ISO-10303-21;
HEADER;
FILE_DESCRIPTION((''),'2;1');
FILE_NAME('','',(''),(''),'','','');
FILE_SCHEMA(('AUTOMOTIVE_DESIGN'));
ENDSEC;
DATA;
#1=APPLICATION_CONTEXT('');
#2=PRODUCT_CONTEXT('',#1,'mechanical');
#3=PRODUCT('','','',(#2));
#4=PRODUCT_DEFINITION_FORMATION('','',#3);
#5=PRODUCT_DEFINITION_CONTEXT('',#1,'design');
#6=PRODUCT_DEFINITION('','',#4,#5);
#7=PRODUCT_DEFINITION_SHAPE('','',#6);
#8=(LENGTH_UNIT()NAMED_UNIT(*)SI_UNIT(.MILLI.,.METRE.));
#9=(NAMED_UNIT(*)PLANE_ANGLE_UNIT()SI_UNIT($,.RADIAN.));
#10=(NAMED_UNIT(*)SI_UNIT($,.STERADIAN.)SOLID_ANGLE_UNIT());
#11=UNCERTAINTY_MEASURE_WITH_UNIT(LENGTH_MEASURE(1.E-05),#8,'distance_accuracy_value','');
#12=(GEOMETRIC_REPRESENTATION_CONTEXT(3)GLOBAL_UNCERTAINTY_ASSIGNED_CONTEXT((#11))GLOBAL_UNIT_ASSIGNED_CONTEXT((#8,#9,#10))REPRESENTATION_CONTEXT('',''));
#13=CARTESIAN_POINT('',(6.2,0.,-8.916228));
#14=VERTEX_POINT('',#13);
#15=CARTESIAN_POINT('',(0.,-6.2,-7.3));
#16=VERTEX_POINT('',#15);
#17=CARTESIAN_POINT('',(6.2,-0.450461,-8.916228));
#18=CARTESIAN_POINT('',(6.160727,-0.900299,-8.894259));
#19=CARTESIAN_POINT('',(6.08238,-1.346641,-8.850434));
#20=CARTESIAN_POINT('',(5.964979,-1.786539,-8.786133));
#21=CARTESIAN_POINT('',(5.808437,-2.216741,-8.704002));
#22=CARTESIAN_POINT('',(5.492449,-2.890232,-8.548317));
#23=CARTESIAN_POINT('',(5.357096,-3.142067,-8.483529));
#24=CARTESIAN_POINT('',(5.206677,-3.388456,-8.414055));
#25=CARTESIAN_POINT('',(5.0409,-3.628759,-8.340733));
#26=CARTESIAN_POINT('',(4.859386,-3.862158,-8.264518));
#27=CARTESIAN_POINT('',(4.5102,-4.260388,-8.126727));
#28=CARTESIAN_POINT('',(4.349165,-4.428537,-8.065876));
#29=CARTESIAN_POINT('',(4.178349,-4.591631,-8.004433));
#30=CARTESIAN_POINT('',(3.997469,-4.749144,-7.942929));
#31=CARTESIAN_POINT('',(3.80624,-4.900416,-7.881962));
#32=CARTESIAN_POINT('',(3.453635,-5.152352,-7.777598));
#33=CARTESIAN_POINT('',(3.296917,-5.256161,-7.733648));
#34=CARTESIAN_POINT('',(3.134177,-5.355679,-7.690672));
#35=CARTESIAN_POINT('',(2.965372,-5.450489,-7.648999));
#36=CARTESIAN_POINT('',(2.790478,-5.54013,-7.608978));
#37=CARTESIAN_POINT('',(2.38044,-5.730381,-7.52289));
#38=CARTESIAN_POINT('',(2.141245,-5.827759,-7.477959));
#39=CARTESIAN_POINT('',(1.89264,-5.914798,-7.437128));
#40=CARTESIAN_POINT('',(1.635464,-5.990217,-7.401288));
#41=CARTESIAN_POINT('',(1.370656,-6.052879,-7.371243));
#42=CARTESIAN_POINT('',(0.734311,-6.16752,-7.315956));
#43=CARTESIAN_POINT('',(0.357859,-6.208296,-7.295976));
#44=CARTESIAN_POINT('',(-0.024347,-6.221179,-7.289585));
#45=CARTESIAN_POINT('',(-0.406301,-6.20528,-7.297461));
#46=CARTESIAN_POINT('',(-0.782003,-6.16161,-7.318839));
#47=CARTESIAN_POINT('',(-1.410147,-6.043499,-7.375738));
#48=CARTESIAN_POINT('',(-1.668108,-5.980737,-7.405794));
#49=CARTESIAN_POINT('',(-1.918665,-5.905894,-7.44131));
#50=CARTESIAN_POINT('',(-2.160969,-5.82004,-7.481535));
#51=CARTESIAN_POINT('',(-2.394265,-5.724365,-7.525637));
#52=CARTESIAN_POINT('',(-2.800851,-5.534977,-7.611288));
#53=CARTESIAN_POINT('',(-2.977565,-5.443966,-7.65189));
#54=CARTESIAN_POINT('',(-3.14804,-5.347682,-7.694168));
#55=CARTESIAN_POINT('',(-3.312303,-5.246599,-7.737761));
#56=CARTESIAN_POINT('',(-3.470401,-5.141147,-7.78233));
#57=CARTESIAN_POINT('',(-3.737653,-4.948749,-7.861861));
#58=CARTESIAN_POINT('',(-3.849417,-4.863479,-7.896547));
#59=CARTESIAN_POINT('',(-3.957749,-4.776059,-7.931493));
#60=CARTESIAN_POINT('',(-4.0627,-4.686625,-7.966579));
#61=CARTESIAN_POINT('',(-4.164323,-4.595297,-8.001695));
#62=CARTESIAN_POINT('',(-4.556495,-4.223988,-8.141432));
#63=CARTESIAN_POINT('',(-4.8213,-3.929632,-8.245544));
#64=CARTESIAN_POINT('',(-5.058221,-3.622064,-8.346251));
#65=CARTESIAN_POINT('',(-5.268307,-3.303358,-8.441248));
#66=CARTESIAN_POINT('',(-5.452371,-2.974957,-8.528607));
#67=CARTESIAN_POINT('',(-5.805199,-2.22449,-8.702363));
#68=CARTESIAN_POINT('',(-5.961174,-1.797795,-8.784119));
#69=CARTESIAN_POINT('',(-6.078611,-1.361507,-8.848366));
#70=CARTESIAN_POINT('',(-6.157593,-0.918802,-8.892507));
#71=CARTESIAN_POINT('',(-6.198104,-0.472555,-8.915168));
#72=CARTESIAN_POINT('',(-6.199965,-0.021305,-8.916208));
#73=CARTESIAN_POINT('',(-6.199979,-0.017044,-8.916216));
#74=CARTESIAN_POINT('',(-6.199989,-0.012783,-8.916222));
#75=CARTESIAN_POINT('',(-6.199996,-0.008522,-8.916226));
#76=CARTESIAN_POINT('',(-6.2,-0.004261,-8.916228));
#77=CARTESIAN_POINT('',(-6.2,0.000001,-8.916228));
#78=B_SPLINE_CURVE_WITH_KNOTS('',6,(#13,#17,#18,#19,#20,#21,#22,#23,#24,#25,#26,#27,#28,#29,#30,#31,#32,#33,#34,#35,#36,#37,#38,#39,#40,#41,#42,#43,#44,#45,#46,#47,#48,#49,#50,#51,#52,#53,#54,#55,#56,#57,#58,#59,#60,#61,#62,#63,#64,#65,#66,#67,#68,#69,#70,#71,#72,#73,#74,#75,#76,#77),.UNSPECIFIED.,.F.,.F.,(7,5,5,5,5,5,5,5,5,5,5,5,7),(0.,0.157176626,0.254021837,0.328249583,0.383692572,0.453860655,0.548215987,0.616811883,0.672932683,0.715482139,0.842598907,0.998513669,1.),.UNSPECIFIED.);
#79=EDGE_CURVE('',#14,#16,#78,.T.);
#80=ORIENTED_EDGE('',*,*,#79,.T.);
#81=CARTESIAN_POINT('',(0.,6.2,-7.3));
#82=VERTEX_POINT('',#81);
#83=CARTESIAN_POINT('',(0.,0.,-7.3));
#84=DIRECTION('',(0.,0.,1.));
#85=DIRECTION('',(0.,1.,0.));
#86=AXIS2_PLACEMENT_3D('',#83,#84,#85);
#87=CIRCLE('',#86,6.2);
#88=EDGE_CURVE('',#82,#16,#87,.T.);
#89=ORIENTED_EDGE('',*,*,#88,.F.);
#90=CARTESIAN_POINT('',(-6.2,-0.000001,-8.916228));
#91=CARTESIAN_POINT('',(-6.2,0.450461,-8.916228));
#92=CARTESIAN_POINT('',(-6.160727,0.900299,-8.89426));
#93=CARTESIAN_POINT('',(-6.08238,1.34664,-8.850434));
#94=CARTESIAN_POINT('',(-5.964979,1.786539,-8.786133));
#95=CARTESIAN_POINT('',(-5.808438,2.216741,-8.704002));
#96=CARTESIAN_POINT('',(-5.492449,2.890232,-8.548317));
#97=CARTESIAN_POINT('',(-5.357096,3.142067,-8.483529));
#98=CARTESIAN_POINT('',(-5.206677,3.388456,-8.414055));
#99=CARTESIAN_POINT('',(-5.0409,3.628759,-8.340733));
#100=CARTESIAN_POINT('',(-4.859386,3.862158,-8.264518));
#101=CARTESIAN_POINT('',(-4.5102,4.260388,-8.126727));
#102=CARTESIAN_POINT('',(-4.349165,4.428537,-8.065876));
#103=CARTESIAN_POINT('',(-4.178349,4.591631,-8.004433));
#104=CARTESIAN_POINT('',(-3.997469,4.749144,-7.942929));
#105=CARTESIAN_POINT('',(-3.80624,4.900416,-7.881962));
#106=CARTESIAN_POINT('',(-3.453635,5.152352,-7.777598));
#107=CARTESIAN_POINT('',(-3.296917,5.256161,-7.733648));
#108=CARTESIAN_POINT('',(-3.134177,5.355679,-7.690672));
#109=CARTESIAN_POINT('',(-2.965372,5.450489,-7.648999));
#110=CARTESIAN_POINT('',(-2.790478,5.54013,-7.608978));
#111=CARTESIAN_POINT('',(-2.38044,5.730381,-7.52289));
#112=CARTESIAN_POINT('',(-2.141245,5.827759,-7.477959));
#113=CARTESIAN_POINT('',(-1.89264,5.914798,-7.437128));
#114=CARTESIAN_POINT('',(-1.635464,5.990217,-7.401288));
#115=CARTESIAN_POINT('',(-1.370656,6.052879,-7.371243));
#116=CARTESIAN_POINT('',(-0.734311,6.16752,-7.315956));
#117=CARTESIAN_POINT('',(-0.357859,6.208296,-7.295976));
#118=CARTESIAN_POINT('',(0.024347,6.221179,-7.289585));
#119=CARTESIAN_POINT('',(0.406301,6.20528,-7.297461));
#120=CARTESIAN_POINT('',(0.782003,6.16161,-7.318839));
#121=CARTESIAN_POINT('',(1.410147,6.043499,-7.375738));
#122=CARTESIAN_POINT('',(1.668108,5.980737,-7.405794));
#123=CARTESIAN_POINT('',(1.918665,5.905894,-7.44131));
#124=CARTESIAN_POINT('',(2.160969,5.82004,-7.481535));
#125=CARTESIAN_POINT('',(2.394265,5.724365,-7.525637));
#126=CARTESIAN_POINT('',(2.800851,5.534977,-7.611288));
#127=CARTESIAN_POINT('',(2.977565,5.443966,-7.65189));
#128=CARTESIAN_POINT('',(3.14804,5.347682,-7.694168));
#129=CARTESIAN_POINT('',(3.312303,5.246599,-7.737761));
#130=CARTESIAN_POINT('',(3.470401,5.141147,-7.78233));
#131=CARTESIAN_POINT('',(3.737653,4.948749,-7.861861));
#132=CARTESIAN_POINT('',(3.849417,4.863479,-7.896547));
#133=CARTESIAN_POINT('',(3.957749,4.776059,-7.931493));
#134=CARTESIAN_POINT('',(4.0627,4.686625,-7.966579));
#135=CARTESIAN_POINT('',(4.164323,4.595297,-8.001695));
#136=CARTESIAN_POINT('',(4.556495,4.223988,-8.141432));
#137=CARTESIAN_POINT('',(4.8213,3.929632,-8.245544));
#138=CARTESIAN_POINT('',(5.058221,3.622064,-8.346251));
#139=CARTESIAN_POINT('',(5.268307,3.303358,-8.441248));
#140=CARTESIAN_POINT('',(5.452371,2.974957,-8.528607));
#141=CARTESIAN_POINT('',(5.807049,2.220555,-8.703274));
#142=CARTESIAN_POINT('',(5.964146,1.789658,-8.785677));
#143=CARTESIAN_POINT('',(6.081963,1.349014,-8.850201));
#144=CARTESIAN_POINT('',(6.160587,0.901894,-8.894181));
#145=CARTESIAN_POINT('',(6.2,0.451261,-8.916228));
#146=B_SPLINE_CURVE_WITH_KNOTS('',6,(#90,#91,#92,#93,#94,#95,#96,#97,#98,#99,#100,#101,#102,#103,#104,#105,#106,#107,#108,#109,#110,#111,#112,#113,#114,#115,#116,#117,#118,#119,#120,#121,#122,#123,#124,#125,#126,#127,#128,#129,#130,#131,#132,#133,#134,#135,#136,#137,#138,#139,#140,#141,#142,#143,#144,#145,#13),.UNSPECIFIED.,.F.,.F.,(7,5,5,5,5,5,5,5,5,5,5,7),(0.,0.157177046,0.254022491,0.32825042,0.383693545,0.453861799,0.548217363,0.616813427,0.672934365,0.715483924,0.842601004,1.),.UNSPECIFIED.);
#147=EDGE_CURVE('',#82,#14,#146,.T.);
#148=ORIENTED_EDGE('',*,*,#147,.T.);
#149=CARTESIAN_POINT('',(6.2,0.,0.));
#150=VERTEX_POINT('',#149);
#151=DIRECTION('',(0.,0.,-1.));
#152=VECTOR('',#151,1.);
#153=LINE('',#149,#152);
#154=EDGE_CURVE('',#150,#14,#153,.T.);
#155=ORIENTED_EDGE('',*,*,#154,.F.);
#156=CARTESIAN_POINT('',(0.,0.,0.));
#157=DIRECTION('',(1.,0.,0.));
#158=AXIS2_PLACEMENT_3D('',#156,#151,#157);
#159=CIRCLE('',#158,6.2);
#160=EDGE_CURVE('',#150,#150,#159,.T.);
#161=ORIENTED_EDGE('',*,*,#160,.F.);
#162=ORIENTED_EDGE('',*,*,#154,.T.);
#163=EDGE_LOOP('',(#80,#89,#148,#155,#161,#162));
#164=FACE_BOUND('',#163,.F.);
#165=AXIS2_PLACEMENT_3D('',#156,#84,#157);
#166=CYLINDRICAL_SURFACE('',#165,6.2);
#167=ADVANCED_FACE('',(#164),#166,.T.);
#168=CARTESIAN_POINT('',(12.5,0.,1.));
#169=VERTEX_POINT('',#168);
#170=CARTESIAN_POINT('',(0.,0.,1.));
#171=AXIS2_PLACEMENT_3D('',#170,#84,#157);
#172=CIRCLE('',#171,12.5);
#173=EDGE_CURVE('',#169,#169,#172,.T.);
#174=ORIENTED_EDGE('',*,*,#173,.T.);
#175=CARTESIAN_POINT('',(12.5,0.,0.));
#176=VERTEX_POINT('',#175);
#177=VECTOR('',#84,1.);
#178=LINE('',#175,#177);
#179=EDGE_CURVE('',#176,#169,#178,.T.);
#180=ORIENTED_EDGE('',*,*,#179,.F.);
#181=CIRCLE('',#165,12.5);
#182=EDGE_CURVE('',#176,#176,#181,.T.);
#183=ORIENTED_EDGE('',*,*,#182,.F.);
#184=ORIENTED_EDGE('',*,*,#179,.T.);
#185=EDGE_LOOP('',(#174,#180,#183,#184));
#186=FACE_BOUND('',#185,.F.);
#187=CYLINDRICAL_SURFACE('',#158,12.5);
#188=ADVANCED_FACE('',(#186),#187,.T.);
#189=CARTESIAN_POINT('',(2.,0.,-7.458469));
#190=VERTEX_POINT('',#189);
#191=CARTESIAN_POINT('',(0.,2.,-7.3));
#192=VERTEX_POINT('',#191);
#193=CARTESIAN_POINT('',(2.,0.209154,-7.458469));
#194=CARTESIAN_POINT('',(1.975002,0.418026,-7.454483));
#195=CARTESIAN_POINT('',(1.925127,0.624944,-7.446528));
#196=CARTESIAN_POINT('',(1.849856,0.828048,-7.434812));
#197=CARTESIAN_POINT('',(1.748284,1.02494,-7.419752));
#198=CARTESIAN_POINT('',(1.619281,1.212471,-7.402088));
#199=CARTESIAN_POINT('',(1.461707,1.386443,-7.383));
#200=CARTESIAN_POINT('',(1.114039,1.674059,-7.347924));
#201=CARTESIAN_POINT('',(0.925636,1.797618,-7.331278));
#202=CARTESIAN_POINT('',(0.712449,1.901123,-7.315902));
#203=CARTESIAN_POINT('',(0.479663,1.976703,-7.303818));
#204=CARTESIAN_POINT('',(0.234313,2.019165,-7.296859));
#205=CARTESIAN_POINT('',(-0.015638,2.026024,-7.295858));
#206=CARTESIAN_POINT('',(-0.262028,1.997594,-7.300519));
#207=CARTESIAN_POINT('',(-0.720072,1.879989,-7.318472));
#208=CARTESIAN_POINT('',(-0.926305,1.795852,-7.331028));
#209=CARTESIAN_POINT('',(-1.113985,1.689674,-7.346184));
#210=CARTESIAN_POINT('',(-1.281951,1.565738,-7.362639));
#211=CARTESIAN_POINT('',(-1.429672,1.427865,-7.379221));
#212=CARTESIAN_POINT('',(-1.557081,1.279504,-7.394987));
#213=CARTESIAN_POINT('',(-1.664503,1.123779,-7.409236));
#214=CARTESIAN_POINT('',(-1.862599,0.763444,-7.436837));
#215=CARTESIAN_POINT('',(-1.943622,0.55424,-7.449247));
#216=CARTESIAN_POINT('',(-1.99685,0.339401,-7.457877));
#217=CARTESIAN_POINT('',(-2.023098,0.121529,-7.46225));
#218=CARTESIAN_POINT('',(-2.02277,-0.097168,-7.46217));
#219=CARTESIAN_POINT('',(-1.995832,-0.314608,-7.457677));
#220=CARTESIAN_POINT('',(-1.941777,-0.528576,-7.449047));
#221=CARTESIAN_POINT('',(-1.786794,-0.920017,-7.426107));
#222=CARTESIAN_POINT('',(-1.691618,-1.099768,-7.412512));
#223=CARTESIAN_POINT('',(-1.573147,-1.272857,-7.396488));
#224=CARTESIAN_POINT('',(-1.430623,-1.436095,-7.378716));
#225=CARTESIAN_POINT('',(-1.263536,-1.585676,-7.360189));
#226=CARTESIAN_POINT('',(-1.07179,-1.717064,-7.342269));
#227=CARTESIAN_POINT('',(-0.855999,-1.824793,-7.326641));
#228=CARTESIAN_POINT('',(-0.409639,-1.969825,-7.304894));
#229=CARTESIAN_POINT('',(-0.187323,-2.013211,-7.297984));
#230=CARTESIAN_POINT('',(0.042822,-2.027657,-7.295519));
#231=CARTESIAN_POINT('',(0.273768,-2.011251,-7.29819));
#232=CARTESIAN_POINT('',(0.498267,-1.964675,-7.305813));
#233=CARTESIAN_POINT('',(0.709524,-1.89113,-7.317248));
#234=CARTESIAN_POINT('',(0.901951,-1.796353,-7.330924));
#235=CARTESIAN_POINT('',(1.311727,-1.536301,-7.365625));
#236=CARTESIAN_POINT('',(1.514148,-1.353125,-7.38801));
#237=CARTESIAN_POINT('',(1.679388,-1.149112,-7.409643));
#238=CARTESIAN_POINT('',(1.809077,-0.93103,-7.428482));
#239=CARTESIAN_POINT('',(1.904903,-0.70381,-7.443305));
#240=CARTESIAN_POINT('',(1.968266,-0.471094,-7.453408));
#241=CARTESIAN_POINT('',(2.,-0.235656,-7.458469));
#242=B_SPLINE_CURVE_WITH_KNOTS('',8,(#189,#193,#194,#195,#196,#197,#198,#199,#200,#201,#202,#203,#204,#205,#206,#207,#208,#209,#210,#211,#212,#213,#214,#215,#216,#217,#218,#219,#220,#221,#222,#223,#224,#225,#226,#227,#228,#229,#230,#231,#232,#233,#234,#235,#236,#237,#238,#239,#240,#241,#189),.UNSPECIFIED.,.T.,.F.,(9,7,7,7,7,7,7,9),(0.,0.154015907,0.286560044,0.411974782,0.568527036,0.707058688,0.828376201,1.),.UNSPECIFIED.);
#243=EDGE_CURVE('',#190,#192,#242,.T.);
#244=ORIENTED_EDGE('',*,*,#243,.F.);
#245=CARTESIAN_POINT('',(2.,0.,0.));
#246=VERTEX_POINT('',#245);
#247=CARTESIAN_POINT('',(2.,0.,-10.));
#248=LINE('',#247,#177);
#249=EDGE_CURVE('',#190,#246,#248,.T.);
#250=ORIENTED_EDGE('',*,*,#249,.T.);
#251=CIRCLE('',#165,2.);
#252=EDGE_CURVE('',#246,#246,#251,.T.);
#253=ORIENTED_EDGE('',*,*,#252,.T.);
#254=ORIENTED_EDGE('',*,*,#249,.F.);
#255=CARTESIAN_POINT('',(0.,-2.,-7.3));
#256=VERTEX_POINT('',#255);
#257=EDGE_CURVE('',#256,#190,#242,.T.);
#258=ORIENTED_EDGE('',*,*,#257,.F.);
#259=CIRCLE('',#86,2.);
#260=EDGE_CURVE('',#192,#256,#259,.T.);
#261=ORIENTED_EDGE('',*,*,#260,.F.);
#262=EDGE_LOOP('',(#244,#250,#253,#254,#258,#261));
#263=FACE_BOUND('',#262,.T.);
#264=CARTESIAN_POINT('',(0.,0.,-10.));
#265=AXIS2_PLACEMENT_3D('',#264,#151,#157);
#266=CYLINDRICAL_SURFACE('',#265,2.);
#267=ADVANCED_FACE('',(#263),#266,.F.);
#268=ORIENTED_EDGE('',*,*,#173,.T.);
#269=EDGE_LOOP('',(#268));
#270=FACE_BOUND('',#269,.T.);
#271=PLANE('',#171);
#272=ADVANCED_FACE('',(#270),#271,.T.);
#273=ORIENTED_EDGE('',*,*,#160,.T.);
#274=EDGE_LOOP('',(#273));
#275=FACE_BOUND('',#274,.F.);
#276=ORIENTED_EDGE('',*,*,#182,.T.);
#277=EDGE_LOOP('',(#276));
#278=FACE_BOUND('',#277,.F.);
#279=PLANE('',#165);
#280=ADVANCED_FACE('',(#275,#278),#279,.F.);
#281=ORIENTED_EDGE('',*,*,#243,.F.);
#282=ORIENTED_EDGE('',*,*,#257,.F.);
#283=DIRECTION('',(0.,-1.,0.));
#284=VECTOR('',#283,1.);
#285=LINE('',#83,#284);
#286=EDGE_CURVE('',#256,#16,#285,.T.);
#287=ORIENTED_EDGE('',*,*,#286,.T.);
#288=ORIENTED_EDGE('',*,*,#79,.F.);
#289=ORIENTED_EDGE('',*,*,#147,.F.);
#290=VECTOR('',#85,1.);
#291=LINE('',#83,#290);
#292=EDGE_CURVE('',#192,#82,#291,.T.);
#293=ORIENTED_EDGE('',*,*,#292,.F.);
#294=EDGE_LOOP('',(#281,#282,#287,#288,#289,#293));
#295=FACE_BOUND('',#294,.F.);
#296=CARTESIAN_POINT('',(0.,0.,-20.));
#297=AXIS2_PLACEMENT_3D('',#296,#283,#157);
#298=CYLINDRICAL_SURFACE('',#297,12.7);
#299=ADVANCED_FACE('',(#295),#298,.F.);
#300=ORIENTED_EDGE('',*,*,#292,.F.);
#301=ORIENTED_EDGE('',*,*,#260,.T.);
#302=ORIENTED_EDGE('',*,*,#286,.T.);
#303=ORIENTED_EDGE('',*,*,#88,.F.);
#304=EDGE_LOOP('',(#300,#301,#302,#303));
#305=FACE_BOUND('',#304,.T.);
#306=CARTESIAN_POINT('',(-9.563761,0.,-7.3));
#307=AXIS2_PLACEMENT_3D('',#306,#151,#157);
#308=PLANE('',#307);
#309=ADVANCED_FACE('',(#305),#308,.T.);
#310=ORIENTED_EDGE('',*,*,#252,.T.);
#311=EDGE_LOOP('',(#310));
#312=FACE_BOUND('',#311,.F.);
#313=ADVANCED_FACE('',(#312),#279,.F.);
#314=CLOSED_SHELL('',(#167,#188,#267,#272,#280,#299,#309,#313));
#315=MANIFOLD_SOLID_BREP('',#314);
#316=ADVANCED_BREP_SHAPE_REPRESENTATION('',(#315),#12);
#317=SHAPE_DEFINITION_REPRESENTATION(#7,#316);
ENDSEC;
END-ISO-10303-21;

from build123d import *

# Parameters (mm, degrees)
F0_R           = 12.5
F1_DEPTH       = 1
F2_R           = 6.2
F3_DEPTH       = 10
F4_R           = 12.7
F5_DEPTH       = 25
F5_DEPTH_BACK  = 25
F7_R           = 2
F8_DEPTH       = 10
F9_W           = 9.563760832
F9_H           = 3.8901750788
F10_DEPTH      = 12.501
F10_DEPTH_BACK = 12.501


with BuildPart() as f1:
    # F0 (on Top) → F1 (new body)
    with BuildSketch(Plane.XY):
        Circle(F0_R)
    extrude(amount=F1_DEPTH)

    # F2 (on face) → F3 (join)
    with BuildSketch(Plane(origin=(0, 0, 0), x_dir=(1, 0, 0), z_dir=(0, 0, -1))):
        Circle(F2_R)
    extrude(amount=F3_DEPTH)

    # F4 (on Front) → F5 (cut, two sides)
    with BuildSketch(Plane.XZ) as f5_sk:
        with Locations((0, -20)):
            Circle(F4_R)
    extrude(amount=-F5_DEPTH, mode=Mode.SUBTRACT)
    extrude(f5_sk.sketch, amount=F5_DEPTH_BACK, mode=Mode.SUBTRACT)

    # F7 (on offset) → F8 (cut, through all)
    with BuildSketch(Plane.XY.offset(-10)):
        Circle(F7_R)
    extrude(amount=F8_DEPTH, mode=Mode.SUBTRACT)

    # F9 (on Front) → F10 (cut, two sides)
    with BuildSketch(Plane.XZ) as f10_sk:
        with Locations((-4.781880416, -9.2450875394)):
            Rectangle(F9_W, F9_H)
    extrude(amount=-F10_DEPTH, mode=Mode.SUBTRACT)
    extrude(f10_sk.sketch, amount=F10_DEPTH_BACK, mode=Mode.SUBTRACT)


solid = f1.part
